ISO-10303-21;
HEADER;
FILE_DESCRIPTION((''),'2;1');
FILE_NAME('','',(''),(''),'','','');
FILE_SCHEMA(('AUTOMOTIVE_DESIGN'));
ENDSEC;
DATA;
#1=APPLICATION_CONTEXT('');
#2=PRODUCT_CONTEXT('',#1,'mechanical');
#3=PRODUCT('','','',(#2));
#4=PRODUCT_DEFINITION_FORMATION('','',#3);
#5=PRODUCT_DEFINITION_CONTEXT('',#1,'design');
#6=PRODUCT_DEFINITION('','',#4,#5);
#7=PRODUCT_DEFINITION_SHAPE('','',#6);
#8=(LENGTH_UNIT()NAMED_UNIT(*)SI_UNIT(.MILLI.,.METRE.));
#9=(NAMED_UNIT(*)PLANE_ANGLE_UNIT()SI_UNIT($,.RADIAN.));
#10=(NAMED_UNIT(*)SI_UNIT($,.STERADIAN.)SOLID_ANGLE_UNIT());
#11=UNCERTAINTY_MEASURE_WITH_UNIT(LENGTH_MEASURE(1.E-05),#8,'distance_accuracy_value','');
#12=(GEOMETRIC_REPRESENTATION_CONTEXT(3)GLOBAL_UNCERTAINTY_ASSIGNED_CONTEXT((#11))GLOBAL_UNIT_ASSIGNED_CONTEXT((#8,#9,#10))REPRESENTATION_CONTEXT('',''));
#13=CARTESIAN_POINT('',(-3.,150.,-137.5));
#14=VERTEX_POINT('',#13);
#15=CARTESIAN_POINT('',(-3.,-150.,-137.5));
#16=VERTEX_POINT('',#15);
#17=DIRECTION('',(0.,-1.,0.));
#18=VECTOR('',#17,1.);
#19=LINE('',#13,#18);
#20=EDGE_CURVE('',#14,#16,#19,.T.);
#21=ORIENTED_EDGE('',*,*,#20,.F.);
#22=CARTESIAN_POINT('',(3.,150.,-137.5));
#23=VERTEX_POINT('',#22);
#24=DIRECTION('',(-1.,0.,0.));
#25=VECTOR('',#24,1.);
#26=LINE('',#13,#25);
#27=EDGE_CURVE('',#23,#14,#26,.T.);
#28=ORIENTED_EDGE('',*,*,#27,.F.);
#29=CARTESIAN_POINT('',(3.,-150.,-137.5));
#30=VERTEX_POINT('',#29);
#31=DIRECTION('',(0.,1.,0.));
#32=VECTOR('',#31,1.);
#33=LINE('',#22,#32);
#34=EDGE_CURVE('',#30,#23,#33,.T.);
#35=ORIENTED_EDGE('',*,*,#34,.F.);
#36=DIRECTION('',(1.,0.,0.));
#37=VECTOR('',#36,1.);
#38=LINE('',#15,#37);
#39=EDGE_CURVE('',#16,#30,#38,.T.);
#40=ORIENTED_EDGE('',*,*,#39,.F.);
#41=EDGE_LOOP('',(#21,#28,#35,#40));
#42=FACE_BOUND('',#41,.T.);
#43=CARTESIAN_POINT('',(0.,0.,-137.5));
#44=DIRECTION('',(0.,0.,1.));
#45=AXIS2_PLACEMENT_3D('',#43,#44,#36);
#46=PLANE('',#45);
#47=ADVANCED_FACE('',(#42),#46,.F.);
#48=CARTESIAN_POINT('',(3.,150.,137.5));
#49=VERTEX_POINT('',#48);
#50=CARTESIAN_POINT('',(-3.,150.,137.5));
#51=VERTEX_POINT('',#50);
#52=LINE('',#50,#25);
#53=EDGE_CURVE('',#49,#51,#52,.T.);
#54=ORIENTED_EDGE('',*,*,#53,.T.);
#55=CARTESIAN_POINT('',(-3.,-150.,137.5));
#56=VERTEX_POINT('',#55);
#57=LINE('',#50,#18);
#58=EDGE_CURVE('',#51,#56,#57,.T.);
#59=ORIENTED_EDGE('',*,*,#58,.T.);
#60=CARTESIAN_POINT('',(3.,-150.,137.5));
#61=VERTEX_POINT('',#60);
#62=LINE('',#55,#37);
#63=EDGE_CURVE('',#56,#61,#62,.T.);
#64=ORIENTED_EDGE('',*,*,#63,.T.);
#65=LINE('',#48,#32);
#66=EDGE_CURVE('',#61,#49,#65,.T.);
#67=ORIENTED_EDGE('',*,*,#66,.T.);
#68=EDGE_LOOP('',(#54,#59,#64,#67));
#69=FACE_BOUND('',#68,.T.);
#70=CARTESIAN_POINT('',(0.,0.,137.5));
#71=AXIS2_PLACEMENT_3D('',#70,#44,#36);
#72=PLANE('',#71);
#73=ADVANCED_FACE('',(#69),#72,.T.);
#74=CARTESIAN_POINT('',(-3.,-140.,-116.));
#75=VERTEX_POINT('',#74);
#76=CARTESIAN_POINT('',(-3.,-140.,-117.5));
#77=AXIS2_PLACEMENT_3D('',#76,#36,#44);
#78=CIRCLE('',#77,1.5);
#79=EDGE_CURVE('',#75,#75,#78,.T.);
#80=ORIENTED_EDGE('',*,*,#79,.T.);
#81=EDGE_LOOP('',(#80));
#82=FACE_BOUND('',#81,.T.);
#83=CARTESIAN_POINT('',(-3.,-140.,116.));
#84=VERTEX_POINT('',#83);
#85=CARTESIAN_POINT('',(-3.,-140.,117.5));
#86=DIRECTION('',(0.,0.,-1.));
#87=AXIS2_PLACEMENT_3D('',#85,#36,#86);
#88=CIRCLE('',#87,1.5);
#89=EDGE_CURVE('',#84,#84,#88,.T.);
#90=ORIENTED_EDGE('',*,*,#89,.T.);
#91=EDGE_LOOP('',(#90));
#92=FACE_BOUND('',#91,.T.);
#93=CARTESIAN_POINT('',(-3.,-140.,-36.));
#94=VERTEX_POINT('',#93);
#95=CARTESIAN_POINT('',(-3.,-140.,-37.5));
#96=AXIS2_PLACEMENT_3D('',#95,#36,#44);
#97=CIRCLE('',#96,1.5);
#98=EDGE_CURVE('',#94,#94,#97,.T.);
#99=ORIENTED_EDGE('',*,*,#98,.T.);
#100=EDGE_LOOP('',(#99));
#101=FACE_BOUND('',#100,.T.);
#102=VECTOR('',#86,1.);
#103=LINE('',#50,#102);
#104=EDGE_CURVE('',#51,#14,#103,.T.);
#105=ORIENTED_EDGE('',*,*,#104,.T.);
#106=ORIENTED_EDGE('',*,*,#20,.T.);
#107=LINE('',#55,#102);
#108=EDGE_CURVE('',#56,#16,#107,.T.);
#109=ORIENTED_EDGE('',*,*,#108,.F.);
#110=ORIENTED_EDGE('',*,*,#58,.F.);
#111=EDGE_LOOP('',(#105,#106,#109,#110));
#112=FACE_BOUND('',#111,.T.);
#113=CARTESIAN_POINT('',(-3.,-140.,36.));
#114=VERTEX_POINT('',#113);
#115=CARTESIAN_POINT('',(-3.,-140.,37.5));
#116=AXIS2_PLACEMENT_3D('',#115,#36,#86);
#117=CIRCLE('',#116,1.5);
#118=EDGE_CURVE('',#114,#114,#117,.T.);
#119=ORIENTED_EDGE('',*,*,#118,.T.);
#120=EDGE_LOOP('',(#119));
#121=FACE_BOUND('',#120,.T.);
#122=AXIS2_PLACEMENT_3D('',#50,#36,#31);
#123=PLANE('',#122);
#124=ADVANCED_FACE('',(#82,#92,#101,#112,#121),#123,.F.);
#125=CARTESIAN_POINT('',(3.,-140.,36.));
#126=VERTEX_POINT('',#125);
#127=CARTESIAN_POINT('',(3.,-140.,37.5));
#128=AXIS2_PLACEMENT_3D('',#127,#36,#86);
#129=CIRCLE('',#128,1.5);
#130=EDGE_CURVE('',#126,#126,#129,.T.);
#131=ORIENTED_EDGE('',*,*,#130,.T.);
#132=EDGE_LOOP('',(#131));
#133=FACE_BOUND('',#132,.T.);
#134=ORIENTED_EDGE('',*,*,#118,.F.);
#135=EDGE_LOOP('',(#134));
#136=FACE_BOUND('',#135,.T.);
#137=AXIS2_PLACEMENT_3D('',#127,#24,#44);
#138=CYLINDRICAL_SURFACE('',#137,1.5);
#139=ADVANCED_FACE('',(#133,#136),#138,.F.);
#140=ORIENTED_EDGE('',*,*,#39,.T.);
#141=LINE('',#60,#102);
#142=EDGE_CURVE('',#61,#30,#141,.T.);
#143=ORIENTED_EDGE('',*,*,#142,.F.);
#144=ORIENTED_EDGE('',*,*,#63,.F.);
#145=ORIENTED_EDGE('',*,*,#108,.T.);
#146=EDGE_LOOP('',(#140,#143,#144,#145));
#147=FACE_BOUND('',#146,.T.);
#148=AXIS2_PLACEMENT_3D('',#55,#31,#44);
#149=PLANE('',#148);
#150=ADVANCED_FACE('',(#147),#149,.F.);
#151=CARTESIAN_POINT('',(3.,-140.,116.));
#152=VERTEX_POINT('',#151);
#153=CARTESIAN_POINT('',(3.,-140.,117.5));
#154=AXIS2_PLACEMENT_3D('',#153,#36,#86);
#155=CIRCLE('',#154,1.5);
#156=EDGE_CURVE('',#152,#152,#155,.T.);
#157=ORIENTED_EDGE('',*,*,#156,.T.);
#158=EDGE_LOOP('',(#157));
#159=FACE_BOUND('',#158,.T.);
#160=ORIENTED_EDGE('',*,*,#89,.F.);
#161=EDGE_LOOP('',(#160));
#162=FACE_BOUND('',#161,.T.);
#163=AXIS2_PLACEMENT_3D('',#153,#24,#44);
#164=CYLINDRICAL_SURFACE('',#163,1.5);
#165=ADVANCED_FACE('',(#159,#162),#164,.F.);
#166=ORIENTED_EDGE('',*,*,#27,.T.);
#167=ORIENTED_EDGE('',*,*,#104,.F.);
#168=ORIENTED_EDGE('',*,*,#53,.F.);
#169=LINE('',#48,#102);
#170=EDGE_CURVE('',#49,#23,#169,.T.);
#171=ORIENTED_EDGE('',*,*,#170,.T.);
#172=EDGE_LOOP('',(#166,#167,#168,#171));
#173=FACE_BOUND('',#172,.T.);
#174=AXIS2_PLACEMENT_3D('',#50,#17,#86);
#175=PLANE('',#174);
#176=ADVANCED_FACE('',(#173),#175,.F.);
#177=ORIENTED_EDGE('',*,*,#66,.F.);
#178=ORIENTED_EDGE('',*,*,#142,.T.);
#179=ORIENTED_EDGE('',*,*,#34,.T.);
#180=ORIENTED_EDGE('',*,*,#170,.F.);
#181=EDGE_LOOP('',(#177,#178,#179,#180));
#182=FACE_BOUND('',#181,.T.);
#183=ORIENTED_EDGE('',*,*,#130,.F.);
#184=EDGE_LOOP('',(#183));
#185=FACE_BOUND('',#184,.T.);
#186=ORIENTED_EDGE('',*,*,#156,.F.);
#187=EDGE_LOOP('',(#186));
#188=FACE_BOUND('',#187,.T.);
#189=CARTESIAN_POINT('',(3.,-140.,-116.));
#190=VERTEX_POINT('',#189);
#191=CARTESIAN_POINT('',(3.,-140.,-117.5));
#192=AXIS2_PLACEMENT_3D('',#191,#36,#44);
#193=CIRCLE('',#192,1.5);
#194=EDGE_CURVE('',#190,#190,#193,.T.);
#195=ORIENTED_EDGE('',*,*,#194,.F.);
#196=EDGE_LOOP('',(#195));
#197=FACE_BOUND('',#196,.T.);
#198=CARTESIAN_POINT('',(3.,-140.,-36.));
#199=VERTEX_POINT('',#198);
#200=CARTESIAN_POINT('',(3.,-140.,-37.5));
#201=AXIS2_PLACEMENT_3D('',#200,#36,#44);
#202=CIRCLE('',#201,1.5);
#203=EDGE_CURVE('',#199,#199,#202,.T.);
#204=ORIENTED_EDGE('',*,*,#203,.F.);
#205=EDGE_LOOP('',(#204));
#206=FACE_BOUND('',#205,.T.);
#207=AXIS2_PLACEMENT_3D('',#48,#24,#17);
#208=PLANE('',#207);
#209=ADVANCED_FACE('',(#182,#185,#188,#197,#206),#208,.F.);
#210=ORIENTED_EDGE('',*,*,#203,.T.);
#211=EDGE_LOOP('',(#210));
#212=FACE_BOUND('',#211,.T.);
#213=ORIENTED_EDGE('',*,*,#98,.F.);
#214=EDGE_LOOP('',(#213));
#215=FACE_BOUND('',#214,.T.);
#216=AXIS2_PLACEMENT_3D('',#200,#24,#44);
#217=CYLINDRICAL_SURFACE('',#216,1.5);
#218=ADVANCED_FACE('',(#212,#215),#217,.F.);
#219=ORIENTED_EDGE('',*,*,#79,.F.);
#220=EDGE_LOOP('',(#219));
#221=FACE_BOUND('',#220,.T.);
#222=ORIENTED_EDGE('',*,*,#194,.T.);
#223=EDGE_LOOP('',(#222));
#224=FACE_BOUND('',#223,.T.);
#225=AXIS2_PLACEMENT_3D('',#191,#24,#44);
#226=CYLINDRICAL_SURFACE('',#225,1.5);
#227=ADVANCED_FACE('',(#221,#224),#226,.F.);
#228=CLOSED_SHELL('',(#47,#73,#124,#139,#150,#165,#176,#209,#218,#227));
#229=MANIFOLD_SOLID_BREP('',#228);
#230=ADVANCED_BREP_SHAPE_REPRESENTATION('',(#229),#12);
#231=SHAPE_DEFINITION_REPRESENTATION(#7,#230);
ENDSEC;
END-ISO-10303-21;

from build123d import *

# Parameters (mm, degrees)
SKETCH1_W               = 6
SKETCH1_H               = 300
BOSS_EXTRUDE1_DEPTH     = 137.5
CUT_EXTRUDE1_DEPTH      = 204.507370874
CUT_EXTRUDE1_DEPTH_BACK = 204.507370874
SKETCH2_R               = 1.5


with BuildPart() as part:
    # Sketch1 → Boss-Extrude1 (new, symmetric)
    with BuildSketch(Plane.XY):
        Rectangle(SKETCH1_W, SKETCH1_H)
    extrude(amount=BOSS_EXTRUDE1_DEPTH, both=True)

    # Sketch2 → Cut-Extrude1 (cut, two sides: drawn at the far end of the back side and taken through both)
    with BuildSketch(Plane(origin=(0, 0, 0), x_dir=(0, 0, -1), z_dir=(1, 0, 0)).offset(-CUT_EXTRUDE1_DEPTH_BACK)):
        with Locations((-117.5, -140)):
            Circle(SKETCH2_R)
        with Locations((-37.5, -140)):
            Circle(SKETCH2_R)
        with Locations(Location((37.5, -140, 0), (0, 0, 180))):
            Circle(SKETCH2_R)
        with Locations(Location((117.5, -140, 0), (0, 0, 180))):
            Circle(SKETCH2_R)
    extrude(amount=CUT_EXTRUDE1_DEPTH + CUT_EXTRUDE1_DEPTH_BACK, mode=Mode.SUBTRACT)


solid = part.part
